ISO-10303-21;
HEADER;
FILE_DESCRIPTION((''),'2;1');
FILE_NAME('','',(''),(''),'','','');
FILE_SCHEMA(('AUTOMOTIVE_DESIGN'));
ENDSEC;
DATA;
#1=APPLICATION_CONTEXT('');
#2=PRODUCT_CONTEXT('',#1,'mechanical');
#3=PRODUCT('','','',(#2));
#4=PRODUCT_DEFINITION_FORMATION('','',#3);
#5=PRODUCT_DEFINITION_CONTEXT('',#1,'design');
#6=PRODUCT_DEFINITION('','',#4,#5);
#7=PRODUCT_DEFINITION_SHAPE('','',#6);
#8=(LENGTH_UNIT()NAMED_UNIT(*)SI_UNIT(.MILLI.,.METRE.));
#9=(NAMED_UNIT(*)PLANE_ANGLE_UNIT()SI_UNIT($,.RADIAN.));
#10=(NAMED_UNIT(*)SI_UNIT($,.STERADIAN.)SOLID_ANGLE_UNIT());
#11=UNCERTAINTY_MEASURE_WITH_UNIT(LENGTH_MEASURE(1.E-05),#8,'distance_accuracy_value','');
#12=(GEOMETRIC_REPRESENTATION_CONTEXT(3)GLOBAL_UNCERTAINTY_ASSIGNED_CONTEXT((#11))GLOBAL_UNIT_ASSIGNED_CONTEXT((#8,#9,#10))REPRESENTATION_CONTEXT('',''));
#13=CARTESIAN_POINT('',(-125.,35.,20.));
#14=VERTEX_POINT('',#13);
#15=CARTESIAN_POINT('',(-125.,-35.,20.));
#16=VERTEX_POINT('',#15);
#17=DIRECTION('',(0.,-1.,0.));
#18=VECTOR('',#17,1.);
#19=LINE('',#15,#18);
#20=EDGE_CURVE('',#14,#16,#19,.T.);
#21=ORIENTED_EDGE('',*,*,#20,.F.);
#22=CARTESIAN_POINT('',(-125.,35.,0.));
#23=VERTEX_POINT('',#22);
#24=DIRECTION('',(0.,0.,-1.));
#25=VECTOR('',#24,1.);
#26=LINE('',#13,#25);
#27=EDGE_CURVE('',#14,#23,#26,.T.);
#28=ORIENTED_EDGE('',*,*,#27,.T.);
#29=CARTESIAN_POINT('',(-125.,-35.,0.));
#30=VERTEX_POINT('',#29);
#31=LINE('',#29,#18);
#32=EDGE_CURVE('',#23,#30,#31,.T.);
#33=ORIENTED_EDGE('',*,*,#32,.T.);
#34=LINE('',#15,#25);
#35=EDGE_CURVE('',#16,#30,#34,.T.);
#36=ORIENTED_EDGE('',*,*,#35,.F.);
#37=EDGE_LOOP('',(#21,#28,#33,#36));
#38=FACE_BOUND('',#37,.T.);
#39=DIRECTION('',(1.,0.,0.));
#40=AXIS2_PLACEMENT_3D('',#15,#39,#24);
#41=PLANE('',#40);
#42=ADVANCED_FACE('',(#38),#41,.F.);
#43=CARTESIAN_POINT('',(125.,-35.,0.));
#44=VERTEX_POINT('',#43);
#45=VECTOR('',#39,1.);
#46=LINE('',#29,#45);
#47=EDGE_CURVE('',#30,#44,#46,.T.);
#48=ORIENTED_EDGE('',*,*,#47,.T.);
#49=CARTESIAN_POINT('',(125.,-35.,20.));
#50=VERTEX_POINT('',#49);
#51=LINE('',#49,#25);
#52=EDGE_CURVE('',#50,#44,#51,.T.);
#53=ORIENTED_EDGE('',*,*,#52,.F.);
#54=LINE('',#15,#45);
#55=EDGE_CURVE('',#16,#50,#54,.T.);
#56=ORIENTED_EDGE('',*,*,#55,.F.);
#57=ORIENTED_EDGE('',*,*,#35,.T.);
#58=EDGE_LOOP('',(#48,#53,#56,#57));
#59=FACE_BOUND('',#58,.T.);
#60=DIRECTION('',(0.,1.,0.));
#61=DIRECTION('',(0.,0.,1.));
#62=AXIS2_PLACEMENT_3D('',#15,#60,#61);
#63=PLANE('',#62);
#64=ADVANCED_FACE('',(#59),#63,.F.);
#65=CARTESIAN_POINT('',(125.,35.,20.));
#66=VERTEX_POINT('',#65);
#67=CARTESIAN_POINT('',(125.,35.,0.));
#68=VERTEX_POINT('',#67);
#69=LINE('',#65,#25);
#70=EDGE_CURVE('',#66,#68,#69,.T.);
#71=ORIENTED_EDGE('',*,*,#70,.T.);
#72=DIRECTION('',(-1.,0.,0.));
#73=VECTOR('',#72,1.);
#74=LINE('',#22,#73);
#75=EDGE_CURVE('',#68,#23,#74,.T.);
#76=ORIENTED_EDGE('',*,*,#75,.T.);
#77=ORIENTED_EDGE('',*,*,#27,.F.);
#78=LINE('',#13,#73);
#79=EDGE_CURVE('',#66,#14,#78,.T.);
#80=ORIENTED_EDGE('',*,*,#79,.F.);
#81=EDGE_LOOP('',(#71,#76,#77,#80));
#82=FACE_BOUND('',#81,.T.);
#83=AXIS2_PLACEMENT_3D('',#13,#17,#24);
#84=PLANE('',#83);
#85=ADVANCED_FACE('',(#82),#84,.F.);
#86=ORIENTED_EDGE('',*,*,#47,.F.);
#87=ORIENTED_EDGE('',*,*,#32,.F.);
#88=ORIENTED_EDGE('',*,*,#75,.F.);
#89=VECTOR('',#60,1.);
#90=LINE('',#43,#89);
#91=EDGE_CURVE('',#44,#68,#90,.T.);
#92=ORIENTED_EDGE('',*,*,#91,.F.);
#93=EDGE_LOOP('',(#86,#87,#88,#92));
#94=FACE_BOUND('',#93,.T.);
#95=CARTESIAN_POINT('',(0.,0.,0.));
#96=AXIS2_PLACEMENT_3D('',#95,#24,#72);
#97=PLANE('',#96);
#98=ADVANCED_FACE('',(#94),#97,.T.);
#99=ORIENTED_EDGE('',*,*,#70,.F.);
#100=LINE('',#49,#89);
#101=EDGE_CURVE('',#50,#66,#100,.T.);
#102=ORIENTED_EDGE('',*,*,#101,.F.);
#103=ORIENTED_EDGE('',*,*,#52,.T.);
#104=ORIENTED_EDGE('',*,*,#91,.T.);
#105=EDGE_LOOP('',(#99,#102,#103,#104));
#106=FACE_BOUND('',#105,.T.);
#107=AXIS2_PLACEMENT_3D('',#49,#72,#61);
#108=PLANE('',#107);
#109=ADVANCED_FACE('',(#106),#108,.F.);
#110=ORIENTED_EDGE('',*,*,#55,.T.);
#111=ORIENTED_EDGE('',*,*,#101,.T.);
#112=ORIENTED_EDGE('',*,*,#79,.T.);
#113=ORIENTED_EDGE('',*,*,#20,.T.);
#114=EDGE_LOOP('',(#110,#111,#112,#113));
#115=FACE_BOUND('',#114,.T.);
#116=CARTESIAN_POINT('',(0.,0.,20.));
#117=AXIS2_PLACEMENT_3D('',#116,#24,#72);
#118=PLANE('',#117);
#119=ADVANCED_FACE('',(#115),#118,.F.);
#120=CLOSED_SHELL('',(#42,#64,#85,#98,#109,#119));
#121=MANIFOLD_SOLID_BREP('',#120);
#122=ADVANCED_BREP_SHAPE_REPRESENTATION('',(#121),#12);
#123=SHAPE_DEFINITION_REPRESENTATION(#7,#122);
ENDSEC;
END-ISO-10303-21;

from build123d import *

# Parameters (mm, degrees)
SKETCH_1_W      = 250
SKETCH_1_H      = 70
EXTRUDE_1_DEPTH = 20


with BuildPart() as part:
    # 草图1 → 凸台-拉伸1 (new body)
    with BuildSketch(Plane.XY):
        Rectangle(SKETCH_1_W, SKETCH_1_H)
    extrude(amount=EXTRUDE_1_DEPTH)


solid = part.part
